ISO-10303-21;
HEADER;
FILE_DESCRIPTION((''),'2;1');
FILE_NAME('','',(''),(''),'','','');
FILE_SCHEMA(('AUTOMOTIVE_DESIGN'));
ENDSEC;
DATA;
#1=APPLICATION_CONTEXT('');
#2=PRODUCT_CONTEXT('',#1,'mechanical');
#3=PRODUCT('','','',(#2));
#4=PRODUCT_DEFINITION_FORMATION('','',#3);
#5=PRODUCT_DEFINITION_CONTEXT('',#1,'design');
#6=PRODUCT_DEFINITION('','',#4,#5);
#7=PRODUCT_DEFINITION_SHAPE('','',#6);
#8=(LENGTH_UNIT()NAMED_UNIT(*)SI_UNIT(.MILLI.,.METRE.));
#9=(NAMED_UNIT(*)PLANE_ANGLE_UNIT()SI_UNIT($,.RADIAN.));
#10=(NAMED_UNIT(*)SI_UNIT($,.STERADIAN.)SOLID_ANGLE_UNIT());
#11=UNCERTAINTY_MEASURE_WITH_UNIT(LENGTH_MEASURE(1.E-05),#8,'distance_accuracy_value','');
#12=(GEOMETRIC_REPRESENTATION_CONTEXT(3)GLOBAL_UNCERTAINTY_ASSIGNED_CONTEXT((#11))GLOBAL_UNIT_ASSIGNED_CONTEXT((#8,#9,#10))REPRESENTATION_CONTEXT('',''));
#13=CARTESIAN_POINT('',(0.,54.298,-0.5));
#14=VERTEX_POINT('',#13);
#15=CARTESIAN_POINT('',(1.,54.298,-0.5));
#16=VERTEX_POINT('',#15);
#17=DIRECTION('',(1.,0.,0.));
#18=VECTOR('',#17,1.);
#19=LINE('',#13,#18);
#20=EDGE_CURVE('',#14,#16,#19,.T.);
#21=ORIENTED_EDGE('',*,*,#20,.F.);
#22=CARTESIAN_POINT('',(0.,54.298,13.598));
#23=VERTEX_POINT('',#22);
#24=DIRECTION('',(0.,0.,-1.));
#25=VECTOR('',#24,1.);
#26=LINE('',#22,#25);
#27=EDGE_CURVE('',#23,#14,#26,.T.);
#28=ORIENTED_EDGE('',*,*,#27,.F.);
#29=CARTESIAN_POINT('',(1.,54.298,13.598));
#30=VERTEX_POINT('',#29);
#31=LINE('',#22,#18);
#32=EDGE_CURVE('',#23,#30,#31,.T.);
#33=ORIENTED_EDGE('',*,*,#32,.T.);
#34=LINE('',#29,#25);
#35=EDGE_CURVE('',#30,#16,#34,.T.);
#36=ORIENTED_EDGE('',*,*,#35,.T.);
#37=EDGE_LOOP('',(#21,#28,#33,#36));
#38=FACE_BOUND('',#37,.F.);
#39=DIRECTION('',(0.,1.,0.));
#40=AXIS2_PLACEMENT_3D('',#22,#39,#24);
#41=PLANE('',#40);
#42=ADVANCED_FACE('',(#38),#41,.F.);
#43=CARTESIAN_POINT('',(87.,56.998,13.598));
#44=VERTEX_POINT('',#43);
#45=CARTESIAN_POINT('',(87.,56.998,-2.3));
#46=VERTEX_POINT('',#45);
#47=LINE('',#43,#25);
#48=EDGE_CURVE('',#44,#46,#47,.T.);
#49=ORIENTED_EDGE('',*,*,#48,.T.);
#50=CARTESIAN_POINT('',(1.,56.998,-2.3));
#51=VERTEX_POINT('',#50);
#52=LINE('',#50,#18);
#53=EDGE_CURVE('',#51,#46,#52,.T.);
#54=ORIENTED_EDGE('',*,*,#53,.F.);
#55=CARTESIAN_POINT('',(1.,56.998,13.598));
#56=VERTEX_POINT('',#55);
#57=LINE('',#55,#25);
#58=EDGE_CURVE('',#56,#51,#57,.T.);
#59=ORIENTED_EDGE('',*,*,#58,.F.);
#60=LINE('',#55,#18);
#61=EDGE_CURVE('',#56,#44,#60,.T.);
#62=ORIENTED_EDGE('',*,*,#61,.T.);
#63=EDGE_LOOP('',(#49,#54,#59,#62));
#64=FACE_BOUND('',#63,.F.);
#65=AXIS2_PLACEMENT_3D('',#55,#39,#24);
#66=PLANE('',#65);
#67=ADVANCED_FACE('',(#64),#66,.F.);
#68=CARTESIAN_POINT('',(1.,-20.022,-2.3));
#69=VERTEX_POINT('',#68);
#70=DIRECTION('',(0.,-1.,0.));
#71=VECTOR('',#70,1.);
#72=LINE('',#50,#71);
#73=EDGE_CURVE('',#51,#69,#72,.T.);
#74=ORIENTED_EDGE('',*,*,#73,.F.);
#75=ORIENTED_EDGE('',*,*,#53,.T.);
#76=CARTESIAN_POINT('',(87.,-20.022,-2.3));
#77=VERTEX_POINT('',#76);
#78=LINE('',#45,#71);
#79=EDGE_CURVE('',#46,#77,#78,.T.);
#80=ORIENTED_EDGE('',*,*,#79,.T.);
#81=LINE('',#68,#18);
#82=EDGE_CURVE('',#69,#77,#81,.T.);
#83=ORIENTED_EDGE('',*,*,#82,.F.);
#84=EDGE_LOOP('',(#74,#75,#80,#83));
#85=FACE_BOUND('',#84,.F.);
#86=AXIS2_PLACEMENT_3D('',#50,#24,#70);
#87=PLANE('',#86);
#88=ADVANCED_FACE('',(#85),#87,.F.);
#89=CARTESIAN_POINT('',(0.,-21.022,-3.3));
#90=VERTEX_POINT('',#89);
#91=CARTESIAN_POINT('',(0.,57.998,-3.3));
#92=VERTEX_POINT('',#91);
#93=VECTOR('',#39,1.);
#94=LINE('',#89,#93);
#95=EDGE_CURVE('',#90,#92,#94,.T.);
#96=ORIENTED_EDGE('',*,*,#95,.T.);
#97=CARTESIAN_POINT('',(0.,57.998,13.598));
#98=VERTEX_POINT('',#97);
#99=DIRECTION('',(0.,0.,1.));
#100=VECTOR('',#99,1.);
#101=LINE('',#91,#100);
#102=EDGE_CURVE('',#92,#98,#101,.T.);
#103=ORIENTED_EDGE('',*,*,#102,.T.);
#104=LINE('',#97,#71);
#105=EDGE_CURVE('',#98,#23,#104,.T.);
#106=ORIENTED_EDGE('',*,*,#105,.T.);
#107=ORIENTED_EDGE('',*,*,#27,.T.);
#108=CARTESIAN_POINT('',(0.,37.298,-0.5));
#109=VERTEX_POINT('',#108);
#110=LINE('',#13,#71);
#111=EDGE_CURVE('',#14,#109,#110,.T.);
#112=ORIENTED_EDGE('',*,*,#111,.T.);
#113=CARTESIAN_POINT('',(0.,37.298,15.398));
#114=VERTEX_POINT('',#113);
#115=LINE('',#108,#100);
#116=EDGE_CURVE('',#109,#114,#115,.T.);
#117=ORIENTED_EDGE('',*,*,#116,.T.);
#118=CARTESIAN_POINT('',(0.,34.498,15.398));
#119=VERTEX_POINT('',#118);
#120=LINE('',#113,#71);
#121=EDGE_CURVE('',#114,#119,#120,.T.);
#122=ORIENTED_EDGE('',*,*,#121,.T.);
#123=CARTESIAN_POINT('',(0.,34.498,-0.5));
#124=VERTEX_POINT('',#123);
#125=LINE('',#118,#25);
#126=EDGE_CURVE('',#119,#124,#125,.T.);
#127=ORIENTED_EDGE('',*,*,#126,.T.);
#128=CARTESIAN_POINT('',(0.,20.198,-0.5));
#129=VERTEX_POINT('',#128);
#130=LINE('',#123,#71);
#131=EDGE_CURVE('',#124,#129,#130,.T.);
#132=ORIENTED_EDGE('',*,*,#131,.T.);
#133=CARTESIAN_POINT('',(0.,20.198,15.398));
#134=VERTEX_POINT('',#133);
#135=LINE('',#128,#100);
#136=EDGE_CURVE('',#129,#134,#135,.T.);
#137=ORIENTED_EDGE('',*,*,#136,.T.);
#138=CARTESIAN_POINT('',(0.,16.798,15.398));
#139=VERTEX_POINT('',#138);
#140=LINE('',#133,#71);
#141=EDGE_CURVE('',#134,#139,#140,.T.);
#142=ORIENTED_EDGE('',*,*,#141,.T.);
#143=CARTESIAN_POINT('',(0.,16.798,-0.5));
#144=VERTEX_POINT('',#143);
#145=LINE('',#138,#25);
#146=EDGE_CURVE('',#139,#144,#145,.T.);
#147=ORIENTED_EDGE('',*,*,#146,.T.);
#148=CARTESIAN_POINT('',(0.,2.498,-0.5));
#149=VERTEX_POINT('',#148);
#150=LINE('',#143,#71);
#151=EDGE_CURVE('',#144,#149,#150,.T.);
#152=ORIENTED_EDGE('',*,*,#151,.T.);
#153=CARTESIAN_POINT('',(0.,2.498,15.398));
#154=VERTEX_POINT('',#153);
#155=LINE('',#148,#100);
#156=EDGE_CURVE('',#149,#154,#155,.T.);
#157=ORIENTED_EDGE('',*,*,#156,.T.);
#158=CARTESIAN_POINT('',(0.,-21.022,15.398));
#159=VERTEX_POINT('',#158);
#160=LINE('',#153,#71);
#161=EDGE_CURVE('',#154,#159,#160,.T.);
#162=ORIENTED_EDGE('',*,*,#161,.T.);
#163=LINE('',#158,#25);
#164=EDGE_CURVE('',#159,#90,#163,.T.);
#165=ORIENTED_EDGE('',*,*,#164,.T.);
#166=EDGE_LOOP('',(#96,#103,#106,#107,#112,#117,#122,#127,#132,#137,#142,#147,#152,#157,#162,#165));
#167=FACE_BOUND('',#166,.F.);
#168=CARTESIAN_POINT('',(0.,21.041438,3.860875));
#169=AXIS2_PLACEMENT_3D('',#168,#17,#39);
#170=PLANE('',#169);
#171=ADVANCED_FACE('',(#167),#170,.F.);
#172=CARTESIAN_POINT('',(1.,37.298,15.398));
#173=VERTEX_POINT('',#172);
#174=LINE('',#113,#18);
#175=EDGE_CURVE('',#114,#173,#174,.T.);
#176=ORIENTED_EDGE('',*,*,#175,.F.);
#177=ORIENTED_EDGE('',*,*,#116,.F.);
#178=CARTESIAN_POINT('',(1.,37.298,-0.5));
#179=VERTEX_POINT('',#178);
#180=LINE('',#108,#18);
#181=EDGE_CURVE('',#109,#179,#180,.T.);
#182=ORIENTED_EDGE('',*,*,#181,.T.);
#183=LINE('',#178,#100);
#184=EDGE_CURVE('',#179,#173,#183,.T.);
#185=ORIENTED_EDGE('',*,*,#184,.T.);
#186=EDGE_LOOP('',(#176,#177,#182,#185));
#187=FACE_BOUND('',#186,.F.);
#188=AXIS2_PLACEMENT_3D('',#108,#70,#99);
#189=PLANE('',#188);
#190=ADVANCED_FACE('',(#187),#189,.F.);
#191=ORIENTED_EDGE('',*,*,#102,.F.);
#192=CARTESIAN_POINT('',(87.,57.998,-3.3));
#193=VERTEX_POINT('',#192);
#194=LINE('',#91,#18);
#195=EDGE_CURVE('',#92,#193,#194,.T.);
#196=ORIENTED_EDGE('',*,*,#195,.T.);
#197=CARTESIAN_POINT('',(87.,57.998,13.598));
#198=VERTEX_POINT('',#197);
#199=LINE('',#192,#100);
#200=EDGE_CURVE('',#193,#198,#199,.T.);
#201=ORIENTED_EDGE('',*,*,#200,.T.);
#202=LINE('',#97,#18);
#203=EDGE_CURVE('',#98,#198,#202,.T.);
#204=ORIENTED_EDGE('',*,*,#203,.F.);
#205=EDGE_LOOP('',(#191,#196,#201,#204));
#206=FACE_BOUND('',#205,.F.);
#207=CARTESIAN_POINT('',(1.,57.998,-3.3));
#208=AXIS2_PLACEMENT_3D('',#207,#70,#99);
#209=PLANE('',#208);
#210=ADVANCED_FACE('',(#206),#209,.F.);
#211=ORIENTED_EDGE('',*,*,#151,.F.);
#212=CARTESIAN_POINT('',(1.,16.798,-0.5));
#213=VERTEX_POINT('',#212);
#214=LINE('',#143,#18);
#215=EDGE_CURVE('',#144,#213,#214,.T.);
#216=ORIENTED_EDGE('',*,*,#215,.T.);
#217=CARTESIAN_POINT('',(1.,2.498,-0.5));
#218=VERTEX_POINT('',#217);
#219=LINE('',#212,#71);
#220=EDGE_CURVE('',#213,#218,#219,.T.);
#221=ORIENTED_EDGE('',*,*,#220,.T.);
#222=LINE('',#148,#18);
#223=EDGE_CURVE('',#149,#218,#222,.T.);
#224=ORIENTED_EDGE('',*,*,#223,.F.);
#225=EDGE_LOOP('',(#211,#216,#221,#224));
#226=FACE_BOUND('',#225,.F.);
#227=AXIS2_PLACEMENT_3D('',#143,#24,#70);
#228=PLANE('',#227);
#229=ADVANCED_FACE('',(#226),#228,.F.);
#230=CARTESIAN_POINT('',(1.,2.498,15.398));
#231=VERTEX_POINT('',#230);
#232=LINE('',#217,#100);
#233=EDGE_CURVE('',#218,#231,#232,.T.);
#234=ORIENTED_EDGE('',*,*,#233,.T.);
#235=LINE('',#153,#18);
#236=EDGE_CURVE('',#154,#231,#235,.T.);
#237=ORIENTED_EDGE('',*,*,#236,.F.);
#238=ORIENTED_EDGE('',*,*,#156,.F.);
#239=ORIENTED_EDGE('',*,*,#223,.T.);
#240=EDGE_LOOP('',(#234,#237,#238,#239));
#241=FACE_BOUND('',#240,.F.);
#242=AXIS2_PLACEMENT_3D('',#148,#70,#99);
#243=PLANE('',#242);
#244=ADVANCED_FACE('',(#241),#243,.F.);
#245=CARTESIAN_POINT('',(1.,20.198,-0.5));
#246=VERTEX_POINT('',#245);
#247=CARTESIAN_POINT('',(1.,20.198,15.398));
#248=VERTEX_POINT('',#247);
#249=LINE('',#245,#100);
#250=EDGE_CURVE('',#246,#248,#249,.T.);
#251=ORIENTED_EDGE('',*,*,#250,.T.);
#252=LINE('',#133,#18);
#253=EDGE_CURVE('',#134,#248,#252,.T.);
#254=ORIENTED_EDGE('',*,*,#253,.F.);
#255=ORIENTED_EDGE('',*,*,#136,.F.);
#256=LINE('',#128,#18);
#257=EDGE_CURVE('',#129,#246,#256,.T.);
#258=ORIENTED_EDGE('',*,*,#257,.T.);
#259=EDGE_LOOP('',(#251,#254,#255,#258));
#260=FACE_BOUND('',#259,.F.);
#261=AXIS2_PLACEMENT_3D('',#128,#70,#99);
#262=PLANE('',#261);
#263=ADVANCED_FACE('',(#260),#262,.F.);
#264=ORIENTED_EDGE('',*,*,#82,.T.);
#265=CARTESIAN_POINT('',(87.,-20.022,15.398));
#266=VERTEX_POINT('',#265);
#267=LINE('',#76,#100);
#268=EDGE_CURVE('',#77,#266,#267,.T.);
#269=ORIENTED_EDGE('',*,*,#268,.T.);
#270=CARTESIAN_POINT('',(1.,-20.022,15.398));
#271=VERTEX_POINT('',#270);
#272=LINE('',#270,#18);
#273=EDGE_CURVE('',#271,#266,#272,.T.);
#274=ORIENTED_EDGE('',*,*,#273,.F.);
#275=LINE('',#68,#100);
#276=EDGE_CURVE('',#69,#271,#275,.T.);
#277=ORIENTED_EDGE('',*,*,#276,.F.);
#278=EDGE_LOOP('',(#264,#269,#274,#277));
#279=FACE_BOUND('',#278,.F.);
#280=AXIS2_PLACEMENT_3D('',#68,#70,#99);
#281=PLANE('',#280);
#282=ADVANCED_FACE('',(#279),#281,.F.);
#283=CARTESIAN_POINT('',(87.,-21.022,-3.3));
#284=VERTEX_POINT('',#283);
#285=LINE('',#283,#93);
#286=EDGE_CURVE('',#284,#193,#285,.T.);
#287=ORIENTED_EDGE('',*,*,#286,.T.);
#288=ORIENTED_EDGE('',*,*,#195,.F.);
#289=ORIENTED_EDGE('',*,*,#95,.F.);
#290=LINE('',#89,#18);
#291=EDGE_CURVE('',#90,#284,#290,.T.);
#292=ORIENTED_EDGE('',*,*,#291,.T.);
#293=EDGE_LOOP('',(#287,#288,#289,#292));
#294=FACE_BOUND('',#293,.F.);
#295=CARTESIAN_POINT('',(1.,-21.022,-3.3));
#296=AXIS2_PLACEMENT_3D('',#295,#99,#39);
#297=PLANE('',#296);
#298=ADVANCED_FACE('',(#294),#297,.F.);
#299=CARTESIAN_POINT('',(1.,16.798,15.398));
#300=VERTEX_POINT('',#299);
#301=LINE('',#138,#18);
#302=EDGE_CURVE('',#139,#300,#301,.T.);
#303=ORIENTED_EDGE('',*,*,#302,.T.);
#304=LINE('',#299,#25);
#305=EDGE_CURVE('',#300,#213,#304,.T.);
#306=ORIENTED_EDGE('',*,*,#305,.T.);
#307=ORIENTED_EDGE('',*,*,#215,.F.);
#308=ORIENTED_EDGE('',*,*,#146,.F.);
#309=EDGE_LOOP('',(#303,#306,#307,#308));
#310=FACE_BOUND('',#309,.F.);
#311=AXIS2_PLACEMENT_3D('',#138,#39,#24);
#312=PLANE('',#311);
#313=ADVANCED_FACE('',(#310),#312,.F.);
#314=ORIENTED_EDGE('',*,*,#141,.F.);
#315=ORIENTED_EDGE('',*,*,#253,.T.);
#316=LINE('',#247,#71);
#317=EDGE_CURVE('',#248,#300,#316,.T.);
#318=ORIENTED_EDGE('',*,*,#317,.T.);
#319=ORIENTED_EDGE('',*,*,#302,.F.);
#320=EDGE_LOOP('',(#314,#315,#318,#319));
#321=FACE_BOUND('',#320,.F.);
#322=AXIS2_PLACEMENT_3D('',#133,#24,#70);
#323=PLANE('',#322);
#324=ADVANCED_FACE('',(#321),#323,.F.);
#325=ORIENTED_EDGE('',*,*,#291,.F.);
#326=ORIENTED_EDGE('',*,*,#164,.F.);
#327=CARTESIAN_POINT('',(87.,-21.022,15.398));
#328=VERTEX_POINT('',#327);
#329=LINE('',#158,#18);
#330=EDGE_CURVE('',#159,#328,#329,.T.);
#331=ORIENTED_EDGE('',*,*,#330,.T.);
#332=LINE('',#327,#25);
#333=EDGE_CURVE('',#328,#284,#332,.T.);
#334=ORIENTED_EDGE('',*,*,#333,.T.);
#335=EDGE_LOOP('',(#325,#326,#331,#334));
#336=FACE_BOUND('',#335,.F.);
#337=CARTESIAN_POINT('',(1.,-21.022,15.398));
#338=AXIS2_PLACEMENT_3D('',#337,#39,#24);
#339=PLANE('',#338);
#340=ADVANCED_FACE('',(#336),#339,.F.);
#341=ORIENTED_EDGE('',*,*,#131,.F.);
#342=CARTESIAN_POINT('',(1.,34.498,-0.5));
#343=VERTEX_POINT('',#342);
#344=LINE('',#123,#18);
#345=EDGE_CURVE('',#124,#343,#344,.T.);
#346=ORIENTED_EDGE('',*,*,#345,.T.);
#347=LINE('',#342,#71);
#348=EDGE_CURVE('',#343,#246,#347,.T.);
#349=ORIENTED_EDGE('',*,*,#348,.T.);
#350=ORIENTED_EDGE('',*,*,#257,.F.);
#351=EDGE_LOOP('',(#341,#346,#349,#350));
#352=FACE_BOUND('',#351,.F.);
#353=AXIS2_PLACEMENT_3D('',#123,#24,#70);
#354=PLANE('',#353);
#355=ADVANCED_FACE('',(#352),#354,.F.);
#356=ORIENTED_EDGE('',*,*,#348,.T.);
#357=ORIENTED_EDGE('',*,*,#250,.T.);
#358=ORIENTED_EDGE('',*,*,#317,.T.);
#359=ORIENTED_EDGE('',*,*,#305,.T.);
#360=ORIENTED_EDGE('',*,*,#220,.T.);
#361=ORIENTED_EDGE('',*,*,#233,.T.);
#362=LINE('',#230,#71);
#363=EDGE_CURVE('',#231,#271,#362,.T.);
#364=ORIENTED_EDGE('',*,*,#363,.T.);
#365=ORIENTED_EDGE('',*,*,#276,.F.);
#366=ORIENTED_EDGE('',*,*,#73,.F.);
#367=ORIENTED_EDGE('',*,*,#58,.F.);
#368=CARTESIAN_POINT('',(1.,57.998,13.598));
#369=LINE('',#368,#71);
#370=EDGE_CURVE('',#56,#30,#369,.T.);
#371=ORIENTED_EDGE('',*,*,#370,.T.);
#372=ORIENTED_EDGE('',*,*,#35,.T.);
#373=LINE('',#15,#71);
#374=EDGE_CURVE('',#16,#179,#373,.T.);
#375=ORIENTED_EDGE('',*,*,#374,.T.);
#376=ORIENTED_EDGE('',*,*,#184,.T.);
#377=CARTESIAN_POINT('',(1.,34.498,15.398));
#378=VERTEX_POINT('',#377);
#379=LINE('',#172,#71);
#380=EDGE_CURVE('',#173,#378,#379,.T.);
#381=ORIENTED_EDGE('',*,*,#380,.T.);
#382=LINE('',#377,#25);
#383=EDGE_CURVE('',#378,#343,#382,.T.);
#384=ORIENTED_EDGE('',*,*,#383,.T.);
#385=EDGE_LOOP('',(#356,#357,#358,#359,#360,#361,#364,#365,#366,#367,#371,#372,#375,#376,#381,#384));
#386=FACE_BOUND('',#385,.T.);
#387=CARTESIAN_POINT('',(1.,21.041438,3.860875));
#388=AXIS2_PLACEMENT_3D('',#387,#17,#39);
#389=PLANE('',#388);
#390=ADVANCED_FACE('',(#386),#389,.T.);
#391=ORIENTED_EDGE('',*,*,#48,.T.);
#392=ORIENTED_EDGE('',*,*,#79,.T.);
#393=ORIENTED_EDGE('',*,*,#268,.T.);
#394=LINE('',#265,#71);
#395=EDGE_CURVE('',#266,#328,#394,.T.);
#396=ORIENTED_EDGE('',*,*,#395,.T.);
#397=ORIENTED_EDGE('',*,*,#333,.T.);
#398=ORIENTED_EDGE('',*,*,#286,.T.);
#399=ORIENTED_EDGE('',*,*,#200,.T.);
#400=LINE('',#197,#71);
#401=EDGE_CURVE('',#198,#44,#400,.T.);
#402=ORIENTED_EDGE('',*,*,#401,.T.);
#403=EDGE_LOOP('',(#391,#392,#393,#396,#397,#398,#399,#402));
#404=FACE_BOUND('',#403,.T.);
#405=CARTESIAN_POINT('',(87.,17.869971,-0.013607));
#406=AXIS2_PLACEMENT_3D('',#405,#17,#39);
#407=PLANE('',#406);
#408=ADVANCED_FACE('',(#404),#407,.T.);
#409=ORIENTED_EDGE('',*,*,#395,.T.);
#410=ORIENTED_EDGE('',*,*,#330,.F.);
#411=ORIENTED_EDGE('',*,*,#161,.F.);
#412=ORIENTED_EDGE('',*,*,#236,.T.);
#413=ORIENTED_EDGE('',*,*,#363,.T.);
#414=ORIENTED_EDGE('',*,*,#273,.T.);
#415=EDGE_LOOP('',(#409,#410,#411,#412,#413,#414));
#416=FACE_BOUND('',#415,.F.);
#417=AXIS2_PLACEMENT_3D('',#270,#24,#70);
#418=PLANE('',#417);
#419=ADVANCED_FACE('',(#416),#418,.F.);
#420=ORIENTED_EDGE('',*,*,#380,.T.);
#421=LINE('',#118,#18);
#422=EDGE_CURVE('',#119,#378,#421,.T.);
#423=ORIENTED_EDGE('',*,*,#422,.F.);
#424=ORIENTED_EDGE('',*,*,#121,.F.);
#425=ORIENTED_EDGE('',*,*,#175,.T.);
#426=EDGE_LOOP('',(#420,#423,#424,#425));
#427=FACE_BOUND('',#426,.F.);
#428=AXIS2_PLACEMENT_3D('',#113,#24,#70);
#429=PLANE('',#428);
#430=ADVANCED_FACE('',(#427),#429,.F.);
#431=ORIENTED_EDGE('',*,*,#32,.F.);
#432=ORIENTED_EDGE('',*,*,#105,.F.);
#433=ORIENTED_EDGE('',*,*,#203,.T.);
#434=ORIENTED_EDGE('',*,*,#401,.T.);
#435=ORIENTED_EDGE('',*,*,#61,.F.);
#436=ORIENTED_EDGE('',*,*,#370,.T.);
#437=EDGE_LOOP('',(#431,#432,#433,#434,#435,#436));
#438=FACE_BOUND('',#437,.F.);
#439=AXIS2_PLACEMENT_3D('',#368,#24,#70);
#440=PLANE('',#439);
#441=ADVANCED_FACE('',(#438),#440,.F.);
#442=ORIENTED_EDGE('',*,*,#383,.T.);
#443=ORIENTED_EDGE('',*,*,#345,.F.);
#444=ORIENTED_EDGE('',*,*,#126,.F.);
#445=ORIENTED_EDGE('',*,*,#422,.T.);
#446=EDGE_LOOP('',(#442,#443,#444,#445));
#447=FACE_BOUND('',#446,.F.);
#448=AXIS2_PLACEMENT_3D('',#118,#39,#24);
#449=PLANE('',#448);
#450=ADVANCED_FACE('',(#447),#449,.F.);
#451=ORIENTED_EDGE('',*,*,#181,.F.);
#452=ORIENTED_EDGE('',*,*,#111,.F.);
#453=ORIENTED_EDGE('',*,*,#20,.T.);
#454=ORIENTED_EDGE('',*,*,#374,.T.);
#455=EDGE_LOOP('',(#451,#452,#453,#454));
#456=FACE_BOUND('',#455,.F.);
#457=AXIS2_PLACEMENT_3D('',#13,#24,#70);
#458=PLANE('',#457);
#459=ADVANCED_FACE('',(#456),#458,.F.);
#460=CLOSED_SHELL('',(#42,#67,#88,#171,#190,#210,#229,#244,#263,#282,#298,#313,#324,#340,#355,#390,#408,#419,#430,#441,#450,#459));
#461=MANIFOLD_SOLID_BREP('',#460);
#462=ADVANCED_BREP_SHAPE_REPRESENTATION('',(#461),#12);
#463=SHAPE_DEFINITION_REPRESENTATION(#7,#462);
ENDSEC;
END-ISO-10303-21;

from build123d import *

# Parameters (mm, degrees)
F1_DEPTH = 1
F3_DEPTH = 86


with BuildPart() as f1:
    # F0 (on Right) → F1 (new body)
    with BuildSketch(Plane.YZ):
        Polygon((-21.022, -3.3), (57.998, -3.3), (57.998, 13.598), (54.298, 13.598), (54.298, -0.5), (37.298, -0.5), (37.298, 15.398), (34.498, 15.398), (34.498, -0.5), (20.198, -0.5), (20.198, 15.398), (16.798, 15.398), (16.798, -0.5), (2.498, -0.5), (2.498, 15.398), (-21.022, 15.398), align=None)
    extrude(amount=F1_DEPTH)

    # F2 (on face) → F3 (join)
    with BuildSketch(Plane.YZ.offset(1)):
        Polygon((-20.022, 15.398), (-21.022, 15.398), (-21.022, -3.3), (57.998, -3.3), (57.998, 13.598), (56.998, 13.598), (56.998, -2.3), (-20.022, -2.3), align=None)
    extrude(amount=F3_DEPTH)


solid = f1.part
